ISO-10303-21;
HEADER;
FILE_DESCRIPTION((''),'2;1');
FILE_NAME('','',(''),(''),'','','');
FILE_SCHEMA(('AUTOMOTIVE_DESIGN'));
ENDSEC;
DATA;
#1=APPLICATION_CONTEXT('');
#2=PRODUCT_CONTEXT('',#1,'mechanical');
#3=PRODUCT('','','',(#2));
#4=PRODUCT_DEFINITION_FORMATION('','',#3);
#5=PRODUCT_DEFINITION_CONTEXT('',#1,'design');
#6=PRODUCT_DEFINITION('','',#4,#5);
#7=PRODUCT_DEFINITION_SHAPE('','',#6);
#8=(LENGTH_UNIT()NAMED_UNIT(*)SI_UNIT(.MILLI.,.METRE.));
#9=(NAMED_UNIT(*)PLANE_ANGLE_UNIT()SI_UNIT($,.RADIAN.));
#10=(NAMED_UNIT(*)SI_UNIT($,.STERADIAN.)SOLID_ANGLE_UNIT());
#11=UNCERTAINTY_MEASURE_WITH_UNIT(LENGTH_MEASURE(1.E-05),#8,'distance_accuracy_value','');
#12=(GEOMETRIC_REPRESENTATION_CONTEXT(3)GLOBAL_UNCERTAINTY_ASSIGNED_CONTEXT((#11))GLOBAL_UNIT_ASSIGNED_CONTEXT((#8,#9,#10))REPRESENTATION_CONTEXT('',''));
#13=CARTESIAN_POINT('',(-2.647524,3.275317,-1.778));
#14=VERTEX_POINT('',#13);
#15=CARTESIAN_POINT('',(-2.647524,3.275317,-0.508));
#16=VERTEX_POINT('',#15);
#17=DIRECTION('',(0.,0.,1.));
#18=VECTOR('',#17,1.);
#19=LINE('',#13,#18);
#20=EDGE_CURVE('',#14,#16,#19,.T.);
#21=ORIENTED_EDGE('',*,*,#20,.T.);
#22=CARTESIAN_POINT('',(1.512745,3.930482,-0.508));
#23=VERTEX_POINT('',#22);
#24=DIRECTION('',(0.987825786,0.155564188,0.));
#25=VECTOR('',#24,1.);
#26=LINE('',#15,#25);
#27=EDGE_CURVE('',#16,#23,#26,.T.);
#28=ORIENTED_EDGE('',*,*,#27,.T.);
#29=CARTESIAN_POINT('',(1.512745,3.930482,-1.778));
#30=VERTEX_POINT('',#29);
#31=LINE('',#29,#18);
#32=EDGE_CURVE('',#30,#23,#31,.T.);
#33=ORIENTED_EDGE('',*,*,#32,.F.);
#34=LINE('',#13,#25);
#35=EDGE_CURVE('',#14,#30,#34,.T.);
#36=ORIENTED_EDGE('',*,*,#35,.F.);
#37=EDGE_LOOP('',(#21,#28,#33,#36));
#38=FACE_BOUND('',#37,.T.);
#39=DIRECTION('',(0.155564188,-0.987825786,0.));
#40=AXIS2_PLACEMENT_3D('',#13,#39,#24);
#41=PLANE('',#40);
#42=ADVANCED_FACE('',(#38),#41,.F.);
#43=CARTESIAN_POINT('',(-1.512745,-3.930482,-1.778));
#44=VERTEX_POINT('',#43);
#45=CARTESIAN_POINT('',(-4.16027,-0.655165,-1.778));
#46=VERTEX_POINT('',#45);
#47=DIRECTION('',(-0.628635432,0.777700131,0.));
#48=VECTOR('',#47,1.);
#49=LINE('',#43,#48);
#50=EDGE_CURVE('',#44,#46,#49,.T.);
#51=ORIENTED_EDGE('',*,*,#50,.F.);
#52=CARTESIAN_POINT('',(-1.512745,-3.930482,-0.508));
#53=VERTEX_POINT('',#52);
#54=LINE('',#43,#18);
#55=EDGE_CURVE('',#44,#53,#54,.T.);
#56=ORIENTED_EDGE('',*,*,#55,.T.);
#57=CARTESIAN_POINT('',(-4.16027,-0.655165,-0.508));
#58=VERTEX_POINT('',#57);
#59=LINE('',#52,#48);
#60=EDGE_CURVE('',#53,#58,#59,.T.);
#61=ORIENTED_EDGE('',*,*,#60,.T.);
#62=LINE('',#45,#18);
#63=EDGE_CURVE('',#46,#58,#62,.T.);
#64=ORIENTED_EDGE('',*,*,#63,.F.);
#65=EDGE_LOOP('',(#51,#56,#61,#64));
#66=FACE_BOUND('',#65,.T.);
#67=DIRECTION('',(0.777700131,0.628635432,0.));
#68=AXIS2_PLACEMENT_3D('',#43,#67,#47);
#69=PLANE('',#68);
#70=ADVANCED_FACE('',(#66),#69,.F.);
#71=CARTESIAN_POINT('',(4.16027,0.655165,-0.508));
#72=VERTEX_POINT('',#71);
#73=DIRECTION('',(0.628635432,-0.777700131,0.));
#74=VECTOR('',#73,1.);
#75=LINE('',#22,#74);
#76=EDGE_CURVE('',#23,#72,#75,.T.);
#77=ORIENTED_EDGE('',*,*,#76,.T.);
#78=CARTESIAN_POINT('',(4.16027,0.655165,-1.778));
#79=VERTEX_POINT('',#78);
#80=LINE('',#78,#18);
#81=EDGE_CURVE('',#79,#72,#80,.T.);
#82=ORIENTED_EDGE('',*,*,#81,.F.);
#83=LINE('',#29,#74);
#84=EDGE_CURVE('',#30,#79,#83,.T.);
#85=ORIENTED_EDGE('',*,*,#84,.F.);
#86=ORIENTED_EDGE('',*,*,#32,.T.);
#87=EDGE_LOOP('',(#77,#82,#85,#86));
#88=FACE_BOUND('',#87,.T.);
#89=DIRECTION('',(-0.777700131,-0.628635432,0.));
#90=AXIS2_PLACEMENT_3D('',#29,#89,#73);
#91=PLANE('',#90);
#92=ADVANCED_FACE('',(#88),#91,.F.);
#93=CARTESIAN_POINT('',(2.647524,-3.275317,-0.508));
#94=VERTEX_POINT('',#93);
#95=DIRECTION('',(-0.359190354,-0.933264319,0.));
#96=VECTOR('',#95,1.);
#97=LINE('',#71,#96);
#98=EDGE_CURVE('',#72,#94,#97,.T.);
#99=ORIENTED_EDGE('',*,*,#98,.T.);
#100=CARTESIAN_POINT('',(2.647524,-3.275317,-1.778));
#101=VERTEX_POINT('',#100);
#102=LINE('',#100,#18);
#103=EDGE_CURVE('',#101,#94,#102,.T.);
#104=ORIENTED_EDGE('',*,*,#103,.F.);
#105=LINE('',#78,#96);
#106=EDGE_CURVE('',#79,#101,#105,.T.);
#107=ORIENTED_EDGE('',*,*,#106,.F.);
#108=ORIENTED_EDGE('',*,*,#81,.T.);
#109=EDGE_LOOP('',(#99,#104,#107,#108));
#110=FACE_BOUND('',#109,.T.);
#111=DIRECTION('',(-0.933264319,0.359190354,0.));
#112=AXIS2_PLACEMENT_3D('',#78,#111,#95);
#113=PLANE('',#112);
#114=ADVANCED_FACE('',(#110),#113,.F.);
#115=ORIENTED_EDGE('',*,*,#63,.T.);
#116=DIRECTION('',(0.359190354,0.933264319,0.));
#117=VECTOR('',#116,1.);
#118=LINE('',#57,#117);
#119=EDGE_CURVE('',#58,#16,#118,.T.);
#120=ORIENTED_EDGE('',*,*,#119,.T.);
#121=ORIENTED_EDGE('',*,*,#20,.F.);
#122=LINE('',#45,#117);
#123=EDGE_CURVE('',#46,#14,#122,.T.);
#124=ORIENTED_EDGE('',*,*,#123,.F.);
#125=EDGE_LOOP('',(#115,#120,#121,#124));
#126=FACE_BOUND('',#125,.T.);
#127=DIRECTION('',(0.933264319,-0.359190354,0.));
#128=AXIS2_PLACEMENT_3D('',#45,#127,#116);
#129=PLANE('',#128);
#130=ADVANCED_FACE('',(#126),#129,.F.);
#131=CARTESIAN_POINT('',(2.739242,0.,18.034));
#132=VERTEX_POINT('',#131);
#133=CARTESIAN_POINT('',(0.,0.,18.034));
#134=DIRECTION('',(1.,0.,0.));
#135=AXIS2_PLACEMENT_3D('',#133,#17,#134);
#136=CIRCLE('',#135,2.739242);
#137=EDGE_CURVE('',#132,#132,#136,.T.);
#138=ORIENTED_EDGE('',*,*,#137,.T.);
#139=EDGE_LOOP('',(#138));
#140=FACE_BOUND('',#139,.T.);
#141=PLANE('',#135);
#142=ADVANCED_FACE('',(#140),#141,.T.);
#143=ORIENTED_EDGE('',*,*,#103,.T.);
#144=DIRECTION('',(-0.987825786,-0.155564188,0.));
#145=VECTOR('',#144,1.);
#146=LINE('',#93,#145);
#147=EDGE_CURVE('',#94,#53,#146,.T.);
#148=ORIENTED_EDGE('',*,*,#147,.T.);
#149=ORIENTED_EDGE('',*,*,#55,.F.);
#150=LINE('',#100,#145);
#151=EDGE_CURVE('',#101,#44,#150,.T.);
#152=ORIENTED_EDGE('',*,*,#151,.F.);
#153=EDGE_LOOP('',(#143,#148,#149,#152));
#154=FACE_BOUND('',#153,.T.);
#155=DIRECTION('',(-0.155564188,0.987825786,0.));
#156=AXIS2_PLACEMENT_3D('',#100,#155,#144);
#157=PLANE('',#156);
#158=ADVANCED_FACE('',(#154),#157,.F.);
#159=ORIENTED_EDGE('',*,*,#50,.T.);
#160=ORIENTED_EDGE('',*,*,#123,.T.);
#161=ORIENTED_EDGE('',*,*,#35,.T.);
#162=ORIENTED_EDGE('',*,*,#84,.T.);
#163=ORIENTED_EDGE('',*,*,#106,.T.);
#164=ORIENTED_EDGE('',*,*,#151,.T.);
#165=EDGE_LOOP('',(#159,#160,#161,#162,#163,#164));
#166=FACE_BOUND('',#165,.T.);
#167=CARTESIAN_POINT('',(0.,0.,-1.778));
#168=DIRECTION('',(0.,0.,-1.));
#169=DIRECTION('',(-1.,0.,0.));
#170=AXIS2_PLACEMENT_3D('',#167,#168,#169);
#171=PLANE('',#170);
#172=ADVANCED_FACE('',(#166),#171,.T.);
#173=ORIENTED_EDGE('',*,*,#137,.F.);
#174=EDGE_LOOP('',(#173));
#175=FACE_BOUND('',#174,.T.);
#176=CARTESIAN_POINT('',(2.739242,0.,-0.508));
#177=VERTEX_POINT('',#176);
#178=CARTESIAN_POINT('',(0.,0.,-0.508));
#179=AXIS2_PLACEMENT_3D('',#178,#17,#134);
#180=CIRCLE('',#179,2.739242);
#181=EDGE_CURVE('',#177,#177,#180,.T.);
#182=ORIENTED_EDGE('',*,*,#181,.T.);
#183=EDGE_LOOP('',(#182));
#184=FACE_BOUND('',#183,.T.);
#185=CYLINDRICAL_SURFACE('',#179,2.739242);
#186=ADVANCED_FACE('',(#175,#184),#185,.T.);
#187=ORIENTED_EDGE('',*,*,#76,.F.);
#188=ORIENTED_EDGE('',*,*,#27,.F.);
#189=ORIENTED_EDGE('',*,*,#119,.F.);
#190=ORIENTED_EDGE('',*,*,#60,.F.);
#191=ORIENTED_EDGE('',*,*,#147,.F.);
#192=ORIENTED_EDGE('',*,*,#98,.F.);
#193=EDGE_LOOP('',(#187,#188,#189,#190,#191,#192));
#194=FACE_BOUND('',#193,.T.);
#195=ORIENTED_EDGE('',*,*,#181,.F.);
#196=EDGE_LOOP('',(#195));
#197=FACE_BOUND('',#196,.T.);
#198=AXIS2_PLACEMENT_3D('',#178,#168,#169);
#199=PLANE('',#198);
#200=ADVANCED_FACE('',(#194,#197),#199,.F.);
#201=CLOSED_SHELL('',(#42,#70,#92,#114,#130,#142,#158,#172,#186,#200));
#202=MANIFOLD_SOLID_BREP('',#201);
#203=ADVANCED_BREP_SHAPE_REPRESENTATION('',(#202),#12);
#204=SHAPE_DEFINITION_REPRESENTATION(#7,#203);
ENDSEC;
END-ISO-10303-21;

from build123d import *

# Parameters (mm, degrees)
SKETCH1_R                = 2.73924182
BOSS_EXTRUDE1_DEPTH      = 18.034
BOSS_EXTRUDE1_DEPTH_BACK = 0.508
BOSS_EXTRUDE2_DEPTH      = 1.27


with BuildPart() as part:
    # Sketch1 → Boss-Extrude1 (new body, two sides)
    with BuildSketch(Plane.XY) as boss_extrude1_sk:
        Circle(SKETCH1_R)
    extrude(amount=BOSS_EXTRUDE1_DEPTH)
    extrude(boss_extrude1_sk.sketch, amount=-BOSS_EXTRUDE1_DEPTH_BACK)

    # Sketch2 → Boss-Extrude2 (add)
    with BuildSketch(Plane(origin=(0, 0, -0.508), x_dir=(-1, 0, 0), z_dir=(0, 0, -1))):
        Polygon((2.647524392, 3.275316604), (-1.512745189, 3.930481683), (-4.160269581, 0.655165078), (-2.647524392, -3.275316604), (1.512745189, -3.930481683), (4.160269581, -0.655165078), align=None)
    extrude(amount=BOSS_EXTRUDE2_DEPTH)


solid = part.part
